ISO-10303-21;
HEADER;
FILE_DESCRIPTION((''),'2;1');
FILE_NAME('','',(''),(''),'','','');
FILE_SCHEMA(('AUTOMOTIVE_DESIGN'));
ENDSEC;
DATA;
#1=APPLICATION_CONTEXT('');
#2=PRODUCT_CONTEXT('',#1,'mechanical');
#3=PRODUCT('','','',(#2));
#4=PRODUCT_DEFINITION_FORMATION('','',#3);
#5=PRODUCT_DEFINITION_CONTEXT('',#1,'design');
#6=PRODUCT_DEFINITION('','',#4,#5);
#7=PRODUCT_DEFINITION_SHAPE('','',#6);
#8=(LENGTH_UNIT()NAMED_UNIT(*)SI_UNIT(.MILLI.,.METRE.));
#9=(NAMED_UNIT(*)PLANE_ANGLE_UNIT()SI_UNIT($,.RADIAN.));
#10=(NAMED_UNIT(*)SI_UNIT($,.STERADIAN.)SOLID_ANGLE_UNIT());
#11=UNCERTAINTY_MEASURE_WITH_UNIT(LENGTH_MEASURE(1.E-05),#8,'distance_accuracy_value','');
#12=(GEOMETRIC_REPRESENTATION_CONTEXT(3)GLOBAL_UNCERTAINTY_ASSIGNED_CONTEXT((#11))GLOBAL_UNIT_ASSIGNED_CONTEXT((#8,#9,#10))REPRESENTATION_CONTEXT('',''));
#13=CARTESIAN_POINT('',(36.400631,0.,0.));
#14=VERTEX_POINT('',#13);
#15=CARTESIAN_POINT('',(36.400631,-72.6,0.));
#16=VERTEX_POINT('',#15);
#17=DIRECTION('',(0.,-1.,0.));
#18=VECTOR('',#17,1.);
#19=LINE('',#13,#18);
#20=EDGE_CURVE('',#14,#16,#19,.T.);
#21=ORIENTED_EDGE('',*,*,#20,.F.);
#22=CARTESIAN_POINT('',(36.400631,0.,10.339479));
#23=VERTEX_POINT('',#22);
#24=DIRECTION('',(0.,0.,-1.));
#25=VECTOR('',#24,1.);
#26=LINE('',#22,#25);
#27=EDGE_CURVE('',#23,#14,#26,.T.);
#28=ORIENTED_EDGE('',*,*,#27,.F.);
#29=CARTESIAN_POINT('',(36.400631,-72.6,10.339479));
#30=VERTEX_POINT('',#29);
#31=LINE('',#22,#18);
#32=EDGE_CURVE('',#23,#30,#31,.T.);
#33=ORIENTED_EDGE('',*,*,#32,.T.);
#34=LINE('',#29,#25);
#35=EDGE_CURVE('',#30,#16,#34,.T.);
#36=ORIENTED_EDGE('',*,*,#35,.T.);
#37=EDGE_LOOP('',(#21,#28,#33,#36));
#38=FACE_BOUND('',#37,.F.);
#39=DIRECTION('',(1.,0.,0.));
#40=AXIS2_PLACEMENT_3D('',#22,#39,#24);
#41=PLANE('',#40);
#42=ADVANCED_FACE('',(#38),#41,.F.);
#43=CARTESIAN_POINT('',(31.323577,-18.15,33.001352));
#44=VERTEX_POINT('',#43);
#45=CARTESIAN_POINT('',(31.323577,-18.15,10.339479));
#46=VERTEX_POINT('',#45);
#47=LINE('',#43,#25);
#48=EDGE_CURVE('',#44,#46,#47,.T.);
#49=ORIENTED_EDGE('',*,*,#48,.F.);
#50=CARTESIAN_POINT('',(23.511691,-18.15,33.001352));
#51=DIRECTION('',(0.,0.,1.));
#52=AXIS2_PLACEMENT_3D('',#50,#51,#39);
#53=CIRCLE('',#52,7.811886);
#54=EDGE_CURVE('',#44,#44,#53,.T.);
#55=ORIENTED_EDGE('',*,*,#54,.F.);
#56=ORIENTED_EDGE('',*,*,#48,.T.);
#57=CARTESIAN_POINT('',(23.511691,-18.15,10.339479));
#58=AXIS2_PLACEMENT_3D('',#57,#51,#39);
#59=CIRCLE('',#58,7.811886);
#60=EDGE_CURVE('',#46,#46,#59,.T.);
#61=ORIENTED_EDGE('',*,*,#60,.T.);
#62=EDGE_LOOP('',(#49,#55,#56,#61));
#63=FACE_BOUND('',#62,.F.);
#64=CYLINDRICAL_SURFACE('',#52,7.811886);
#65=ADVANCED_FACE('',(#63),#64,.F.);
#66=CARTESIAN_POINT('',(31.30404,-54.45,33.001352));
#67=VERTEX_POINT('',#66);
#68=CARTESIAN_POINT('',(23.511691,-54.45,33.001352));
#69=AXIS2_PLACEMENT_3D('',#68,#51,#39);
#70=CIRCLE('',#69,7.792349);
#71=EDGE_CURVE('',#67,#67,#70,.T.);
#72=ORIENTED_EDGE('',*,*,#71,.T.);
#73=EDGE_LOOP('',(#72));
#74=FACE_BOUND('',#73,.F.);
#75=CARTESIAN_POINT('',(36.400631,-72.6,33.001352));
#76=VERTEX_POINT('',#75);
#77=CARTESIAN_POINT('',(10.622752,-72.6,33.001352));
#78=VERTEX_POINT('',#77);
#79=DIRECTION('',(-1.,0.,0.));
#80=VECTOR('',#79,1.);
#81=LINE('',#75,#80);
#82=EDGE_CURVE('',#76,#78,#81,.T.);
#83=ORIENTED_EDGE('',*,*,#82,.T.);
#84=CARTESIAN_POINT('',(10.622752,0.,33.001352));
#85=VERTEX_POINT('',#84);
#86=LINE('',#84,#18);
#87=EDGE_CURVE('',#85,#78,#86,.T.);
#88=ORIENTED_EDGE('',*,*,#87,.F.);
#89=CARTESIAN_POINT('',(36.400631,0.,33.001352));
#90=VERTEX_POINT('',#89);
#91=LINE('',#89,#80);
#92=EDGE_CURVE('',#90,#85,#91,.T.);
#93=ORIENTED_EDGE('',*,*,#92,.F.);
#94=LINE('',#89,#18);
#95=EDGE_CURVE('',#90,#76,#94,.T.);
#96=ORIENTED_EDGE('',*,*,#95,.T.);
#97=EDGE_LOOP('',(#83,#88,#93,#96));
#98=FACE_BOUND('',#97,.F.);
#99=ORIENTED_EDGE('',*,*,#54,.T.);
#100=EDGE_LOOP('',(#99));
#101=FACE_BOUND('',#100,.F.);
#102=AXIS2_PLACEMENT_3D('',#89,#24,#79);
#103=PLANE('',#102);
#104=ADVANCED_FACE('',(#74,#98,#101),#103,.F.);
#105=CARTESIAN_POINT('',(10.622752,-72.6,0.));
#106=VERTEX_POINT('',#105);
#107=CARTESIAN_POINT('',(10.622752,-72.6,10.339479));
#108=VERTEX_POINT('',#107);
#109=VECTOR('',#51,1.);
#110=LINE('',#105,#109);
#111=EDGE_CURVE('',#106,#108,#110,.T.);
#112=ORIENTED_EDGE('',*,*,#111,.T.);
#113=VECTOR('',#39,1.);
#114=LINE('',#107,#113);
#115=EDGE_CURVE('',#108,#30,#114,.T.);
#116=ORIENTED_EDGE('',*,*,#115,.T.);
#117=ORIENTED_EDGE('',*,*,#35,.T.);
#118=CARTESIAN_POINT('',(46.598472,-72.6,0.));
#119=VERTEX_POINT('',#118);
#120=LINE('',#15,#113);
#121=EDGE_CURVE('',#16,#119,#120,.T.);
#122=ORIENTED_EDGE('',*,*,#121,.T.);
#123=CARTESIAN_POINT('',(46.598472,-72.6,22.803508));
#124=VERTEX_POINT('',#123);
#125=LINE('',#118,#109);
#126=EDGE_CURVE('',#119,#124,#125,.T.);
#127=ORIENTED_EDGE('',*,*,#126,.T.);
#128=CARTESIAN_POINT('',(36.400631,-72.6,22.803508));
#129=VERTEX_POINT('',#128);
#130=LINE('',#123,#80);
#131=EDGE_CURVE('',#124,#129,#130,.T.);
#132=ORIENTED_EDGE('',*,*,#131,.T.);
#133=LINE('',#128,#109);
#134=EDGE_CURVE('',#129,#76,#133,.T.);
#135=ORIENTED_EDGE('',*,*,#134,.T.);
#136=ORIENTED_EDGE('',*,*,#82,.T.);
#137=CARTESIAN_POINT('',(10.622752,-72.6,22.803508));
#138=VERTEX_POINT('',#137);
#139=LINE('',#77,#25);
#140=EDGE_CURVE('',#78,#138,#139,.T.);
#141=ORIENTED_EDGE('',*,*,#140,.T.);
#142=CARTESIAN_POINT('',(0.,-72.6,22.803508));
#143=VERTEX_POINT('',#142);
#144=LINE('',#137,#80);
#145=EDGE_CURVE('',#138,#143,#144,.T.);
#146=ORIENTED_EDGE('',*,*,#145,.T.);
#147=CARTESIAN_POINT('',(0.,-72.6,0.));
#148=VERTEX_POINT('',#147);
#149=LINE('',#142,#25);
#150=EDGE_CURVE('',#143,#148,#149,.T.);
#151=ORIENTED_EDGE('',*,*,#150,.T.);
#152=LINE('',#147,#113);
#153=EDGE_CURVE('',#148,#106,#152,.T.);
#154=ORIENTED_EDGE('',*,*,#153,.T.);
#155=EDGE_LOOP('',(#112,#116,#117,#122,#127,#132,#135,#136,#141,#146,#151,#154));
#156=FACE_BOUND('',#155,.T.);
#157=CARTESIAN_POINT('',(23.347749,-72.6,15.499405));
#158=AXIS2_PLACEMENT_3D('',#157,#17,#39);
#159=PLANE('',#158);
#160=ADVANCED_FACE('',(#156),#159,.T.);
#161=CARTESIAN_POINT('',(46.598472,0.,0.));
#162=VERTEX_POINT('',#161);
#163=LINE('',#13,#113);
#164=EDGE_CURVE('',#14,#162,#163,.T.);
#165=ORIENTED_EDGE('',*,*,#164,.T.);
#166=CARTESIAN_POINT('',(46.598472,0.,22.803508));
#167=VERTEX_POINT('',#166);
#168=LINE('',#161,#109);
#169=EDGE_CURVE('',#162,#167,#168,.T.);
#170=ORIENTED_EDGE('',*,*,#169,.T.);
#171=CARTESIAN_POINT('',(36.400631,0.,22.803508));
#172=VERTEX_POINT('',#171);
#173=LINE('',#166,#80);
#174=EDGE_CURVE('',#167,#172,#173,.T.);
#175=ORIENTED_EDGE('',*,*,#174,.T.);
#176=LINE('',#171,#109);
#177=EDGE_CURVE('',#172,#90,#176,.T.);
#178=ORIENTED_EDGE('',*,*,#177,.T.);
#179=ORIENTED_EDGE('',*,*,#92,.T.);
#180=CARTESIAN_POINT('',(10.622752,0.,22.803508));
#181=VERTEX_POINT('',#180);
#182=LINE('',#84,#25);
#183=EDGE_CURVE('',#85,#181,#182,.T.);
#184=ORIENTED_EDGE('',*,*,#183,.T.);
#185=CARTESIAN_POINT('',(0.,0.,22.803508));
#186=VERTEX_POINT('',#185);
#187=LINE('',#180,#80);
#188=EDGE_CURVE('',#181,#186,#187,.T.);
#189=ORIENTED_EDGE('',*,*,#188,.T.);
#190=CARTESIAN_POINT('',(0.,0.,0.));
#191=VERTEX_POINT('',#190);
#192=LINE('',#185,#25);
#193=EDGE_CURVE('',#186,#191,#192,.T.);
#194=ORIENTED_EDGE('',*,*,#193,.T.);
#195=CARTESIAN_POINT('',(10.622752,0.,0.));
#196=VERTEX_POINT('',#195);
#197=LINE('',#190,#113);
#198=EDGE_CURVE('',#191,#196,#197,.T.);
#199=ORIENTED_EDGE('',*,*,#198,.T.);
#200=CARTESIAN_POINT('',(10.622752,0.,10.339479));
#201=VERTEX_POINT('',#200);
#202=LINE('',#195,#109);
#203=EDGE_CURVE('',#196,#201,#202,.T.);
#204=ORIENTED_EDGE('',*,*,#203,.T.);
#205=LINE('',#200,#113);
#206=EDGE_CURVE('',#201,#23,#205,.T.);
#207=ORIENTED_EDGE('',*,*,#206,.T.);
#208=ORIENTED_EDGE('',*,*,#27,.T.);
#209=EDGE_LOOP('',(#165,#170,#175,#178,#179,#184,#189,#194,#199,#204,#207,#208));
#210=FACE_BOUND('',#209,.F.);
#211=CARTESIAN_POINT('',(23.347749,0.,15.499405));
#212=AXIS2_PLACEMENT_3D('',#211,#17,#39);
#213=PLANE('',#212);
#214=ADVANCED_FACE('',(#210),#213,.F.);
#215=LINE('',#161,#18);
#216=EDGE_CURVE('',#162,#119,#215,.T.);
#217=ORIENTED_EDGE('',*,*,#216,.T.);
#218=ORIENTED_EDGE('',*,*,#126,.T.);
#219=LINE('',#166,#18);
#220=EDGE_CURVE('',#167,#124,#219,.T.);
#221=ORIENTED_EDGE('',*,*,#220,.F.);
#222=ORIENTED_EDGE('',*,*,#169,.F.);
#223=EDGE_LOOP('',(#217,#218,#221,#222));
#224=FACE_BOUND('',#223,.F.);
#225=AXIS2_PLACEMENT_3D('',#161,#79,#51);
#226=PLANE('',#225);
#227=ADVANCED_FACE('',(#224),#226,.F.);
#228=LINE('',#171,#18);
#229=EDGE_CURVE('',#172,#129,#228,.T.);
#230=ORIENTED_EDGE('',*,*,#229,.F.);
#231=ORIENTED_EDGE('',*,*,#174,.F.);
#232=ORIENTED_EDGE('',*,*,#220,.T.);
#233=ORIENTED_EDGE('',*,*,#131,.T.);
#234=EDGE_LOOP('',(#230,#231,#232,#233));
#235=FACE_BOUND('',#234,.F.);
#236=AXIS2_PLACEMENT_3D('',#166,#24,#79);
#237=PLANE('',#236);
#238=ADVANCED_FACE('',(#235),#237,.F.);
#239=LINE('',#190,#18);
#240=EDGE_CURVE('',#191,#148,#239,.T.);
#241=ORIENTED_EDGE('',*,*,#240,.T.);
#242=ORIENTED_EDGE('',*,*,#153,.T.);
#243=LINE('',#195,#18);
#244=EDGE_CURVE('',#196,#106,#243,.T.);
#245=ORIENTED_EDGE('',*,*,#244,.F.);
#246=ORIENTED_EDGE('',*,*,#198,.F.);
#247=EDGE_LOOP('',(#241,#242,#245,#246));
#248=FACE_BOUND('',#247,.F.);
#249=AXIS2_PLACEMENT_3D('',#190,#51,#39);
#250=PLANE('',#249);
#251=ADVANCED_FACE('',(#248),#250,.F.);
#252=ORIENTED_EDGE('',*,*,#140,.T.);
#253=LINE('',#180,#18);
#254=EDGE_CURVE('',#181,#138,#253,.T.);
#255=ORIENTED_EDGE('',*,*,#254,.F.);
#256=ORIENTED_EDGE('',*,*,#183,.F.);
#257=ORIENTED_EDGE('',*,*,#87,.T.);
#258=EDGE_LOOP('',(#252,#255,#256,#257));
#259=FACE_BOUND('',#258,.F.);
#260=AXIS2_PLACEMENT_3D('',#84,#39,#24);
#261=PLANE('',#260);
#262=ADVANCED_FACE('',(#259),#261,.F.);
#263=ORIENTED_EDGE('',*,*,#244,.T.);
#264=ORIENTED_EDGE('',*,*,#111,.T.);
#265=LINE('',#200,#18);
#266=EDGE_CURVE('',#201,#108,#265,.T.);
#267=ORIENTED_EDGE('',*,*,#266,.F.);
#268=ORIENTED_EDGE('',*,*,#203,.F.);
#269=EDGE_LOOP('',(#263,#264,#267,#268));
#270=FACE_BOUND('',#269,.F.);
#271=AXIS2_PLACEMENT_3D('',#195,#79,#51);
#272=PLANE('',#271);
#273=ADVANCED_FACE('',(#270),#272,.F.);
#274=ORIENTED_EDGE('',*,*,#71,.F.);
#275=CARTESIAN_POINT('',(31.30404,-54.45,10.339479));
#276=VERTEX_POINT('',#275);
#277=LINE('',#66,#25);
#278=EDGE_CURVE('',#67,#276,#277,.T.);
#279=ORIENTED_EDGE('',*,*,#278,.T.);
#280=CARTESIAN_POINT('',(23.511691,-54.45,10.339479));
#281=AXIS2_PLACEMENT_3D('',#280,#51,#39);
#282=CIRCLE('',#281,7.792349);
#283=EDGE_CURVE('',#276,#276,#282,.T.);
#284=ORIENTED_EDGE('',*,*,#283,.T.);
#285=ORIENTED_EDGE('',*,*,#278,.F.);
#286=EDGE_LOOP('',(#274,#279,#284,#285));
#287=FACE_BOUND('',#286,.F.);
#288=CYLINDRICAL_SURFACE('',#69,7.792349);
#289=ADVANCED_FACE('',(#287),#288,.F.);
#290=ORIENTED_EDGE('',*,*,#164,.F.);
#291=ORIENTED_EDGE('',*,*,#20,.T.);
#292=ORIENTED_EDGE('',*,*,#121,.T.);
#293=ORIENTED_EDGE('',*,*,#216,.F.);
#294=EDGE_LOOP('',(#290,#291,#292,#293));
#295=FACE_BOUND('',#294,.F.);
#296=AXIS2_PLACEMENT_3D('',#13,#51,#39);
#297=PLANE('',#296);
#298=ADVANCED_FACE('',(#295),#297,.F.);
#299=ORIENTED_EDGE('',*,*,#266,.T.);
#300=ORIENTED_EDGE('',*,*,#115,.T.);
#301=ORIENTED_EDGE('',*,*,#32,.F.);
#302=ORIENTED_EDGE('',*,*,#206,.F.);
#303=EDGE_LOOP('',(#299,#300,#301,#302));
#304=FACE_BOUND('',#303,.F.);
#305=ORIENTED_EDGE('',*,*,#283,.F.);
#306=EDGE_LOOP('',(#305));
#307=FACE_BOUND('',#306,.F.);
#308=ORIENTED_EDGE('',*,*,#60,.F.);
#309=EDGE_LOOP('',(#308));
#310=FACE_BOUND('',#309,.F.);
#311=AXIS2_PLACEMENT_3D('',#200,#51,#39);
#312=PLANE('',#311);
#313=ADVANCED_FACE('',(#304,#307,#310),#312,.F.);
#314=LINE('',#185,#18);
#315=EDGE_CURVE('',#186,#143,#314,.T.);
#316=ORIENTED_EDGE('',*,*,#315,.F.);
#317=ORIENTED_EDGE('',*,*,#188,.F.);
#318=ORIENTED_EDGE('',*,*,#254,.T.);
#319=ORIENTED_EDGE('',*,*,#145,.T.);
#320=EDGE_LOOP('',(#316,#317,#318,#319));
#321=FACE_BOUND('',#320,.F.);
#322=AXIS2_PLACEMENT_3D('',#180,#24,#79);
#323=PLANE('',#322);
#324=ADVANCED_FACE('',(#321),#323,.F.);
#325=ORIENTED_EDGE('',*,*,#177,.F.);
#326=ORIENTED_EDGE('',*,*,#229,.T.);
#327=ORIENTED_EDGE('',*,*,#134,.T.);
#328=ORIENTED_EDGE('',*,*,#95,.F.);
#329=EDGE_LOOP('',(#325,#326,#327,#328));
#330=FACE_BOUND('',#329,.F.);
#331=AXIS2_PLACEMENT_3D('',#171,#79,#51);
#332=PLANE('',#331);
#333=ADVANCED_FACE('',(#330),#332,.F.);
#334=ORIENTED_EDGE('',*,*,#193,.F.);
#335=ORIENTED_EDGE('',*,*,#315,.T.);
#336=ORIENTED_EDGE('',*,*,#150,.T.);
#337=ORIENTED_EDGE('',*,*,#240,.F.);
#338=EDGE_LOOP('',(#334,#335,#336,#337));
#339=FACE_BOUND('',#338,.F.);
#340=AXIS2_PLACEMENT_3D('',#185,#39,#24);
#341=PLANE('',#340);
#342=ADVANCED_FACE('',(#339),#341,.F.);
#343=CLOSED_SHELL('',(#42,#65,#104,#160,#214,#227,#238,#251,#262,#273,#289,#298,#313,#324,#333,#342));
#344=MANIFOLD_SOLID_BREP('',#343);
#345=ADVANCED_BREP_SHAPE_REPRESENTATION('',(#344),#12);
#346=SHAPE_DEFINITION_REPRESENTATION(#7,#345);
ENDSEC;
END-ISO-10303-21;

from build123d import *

# Parameters (mm, degrees)
F1_DEPTH = 72.6
F2_R     = 7.811886
F2_R_2   = 7.792349
F3_DEPTH = 25


with BuildPart() as f1:
    # F0 (on Front) → F1 (new body)
    with BuildSketch(Plane.XZ):
        Polygon((0, 22.803508), (0, 0), (10.622752, 0), (10.622752, 10.339479), (36.400631, 10.339479), (36.400631, 0), (46.598472, 0), (46.598472, 22.803508), (36.400631, 22.803508), (36.400631, 33.001352), (10.622752, 33.001352), (10.622752, 22.803508), align=None)
    extrude(amount=F1_DEPTH)

    # F2 (on face) → F3 (cut)
    with BuildSketch(Plane.XY.offset(33.001352)):
        with Locations((23.511691, -18.15)):
            Circle(F2_R)
        with Locations((23.511691, -54.45)):
            Circle(F2_R_2)
    extrude(amount=-F3_DEPTH, mode=Mode.SUBTRACT)


solid = f1.part
